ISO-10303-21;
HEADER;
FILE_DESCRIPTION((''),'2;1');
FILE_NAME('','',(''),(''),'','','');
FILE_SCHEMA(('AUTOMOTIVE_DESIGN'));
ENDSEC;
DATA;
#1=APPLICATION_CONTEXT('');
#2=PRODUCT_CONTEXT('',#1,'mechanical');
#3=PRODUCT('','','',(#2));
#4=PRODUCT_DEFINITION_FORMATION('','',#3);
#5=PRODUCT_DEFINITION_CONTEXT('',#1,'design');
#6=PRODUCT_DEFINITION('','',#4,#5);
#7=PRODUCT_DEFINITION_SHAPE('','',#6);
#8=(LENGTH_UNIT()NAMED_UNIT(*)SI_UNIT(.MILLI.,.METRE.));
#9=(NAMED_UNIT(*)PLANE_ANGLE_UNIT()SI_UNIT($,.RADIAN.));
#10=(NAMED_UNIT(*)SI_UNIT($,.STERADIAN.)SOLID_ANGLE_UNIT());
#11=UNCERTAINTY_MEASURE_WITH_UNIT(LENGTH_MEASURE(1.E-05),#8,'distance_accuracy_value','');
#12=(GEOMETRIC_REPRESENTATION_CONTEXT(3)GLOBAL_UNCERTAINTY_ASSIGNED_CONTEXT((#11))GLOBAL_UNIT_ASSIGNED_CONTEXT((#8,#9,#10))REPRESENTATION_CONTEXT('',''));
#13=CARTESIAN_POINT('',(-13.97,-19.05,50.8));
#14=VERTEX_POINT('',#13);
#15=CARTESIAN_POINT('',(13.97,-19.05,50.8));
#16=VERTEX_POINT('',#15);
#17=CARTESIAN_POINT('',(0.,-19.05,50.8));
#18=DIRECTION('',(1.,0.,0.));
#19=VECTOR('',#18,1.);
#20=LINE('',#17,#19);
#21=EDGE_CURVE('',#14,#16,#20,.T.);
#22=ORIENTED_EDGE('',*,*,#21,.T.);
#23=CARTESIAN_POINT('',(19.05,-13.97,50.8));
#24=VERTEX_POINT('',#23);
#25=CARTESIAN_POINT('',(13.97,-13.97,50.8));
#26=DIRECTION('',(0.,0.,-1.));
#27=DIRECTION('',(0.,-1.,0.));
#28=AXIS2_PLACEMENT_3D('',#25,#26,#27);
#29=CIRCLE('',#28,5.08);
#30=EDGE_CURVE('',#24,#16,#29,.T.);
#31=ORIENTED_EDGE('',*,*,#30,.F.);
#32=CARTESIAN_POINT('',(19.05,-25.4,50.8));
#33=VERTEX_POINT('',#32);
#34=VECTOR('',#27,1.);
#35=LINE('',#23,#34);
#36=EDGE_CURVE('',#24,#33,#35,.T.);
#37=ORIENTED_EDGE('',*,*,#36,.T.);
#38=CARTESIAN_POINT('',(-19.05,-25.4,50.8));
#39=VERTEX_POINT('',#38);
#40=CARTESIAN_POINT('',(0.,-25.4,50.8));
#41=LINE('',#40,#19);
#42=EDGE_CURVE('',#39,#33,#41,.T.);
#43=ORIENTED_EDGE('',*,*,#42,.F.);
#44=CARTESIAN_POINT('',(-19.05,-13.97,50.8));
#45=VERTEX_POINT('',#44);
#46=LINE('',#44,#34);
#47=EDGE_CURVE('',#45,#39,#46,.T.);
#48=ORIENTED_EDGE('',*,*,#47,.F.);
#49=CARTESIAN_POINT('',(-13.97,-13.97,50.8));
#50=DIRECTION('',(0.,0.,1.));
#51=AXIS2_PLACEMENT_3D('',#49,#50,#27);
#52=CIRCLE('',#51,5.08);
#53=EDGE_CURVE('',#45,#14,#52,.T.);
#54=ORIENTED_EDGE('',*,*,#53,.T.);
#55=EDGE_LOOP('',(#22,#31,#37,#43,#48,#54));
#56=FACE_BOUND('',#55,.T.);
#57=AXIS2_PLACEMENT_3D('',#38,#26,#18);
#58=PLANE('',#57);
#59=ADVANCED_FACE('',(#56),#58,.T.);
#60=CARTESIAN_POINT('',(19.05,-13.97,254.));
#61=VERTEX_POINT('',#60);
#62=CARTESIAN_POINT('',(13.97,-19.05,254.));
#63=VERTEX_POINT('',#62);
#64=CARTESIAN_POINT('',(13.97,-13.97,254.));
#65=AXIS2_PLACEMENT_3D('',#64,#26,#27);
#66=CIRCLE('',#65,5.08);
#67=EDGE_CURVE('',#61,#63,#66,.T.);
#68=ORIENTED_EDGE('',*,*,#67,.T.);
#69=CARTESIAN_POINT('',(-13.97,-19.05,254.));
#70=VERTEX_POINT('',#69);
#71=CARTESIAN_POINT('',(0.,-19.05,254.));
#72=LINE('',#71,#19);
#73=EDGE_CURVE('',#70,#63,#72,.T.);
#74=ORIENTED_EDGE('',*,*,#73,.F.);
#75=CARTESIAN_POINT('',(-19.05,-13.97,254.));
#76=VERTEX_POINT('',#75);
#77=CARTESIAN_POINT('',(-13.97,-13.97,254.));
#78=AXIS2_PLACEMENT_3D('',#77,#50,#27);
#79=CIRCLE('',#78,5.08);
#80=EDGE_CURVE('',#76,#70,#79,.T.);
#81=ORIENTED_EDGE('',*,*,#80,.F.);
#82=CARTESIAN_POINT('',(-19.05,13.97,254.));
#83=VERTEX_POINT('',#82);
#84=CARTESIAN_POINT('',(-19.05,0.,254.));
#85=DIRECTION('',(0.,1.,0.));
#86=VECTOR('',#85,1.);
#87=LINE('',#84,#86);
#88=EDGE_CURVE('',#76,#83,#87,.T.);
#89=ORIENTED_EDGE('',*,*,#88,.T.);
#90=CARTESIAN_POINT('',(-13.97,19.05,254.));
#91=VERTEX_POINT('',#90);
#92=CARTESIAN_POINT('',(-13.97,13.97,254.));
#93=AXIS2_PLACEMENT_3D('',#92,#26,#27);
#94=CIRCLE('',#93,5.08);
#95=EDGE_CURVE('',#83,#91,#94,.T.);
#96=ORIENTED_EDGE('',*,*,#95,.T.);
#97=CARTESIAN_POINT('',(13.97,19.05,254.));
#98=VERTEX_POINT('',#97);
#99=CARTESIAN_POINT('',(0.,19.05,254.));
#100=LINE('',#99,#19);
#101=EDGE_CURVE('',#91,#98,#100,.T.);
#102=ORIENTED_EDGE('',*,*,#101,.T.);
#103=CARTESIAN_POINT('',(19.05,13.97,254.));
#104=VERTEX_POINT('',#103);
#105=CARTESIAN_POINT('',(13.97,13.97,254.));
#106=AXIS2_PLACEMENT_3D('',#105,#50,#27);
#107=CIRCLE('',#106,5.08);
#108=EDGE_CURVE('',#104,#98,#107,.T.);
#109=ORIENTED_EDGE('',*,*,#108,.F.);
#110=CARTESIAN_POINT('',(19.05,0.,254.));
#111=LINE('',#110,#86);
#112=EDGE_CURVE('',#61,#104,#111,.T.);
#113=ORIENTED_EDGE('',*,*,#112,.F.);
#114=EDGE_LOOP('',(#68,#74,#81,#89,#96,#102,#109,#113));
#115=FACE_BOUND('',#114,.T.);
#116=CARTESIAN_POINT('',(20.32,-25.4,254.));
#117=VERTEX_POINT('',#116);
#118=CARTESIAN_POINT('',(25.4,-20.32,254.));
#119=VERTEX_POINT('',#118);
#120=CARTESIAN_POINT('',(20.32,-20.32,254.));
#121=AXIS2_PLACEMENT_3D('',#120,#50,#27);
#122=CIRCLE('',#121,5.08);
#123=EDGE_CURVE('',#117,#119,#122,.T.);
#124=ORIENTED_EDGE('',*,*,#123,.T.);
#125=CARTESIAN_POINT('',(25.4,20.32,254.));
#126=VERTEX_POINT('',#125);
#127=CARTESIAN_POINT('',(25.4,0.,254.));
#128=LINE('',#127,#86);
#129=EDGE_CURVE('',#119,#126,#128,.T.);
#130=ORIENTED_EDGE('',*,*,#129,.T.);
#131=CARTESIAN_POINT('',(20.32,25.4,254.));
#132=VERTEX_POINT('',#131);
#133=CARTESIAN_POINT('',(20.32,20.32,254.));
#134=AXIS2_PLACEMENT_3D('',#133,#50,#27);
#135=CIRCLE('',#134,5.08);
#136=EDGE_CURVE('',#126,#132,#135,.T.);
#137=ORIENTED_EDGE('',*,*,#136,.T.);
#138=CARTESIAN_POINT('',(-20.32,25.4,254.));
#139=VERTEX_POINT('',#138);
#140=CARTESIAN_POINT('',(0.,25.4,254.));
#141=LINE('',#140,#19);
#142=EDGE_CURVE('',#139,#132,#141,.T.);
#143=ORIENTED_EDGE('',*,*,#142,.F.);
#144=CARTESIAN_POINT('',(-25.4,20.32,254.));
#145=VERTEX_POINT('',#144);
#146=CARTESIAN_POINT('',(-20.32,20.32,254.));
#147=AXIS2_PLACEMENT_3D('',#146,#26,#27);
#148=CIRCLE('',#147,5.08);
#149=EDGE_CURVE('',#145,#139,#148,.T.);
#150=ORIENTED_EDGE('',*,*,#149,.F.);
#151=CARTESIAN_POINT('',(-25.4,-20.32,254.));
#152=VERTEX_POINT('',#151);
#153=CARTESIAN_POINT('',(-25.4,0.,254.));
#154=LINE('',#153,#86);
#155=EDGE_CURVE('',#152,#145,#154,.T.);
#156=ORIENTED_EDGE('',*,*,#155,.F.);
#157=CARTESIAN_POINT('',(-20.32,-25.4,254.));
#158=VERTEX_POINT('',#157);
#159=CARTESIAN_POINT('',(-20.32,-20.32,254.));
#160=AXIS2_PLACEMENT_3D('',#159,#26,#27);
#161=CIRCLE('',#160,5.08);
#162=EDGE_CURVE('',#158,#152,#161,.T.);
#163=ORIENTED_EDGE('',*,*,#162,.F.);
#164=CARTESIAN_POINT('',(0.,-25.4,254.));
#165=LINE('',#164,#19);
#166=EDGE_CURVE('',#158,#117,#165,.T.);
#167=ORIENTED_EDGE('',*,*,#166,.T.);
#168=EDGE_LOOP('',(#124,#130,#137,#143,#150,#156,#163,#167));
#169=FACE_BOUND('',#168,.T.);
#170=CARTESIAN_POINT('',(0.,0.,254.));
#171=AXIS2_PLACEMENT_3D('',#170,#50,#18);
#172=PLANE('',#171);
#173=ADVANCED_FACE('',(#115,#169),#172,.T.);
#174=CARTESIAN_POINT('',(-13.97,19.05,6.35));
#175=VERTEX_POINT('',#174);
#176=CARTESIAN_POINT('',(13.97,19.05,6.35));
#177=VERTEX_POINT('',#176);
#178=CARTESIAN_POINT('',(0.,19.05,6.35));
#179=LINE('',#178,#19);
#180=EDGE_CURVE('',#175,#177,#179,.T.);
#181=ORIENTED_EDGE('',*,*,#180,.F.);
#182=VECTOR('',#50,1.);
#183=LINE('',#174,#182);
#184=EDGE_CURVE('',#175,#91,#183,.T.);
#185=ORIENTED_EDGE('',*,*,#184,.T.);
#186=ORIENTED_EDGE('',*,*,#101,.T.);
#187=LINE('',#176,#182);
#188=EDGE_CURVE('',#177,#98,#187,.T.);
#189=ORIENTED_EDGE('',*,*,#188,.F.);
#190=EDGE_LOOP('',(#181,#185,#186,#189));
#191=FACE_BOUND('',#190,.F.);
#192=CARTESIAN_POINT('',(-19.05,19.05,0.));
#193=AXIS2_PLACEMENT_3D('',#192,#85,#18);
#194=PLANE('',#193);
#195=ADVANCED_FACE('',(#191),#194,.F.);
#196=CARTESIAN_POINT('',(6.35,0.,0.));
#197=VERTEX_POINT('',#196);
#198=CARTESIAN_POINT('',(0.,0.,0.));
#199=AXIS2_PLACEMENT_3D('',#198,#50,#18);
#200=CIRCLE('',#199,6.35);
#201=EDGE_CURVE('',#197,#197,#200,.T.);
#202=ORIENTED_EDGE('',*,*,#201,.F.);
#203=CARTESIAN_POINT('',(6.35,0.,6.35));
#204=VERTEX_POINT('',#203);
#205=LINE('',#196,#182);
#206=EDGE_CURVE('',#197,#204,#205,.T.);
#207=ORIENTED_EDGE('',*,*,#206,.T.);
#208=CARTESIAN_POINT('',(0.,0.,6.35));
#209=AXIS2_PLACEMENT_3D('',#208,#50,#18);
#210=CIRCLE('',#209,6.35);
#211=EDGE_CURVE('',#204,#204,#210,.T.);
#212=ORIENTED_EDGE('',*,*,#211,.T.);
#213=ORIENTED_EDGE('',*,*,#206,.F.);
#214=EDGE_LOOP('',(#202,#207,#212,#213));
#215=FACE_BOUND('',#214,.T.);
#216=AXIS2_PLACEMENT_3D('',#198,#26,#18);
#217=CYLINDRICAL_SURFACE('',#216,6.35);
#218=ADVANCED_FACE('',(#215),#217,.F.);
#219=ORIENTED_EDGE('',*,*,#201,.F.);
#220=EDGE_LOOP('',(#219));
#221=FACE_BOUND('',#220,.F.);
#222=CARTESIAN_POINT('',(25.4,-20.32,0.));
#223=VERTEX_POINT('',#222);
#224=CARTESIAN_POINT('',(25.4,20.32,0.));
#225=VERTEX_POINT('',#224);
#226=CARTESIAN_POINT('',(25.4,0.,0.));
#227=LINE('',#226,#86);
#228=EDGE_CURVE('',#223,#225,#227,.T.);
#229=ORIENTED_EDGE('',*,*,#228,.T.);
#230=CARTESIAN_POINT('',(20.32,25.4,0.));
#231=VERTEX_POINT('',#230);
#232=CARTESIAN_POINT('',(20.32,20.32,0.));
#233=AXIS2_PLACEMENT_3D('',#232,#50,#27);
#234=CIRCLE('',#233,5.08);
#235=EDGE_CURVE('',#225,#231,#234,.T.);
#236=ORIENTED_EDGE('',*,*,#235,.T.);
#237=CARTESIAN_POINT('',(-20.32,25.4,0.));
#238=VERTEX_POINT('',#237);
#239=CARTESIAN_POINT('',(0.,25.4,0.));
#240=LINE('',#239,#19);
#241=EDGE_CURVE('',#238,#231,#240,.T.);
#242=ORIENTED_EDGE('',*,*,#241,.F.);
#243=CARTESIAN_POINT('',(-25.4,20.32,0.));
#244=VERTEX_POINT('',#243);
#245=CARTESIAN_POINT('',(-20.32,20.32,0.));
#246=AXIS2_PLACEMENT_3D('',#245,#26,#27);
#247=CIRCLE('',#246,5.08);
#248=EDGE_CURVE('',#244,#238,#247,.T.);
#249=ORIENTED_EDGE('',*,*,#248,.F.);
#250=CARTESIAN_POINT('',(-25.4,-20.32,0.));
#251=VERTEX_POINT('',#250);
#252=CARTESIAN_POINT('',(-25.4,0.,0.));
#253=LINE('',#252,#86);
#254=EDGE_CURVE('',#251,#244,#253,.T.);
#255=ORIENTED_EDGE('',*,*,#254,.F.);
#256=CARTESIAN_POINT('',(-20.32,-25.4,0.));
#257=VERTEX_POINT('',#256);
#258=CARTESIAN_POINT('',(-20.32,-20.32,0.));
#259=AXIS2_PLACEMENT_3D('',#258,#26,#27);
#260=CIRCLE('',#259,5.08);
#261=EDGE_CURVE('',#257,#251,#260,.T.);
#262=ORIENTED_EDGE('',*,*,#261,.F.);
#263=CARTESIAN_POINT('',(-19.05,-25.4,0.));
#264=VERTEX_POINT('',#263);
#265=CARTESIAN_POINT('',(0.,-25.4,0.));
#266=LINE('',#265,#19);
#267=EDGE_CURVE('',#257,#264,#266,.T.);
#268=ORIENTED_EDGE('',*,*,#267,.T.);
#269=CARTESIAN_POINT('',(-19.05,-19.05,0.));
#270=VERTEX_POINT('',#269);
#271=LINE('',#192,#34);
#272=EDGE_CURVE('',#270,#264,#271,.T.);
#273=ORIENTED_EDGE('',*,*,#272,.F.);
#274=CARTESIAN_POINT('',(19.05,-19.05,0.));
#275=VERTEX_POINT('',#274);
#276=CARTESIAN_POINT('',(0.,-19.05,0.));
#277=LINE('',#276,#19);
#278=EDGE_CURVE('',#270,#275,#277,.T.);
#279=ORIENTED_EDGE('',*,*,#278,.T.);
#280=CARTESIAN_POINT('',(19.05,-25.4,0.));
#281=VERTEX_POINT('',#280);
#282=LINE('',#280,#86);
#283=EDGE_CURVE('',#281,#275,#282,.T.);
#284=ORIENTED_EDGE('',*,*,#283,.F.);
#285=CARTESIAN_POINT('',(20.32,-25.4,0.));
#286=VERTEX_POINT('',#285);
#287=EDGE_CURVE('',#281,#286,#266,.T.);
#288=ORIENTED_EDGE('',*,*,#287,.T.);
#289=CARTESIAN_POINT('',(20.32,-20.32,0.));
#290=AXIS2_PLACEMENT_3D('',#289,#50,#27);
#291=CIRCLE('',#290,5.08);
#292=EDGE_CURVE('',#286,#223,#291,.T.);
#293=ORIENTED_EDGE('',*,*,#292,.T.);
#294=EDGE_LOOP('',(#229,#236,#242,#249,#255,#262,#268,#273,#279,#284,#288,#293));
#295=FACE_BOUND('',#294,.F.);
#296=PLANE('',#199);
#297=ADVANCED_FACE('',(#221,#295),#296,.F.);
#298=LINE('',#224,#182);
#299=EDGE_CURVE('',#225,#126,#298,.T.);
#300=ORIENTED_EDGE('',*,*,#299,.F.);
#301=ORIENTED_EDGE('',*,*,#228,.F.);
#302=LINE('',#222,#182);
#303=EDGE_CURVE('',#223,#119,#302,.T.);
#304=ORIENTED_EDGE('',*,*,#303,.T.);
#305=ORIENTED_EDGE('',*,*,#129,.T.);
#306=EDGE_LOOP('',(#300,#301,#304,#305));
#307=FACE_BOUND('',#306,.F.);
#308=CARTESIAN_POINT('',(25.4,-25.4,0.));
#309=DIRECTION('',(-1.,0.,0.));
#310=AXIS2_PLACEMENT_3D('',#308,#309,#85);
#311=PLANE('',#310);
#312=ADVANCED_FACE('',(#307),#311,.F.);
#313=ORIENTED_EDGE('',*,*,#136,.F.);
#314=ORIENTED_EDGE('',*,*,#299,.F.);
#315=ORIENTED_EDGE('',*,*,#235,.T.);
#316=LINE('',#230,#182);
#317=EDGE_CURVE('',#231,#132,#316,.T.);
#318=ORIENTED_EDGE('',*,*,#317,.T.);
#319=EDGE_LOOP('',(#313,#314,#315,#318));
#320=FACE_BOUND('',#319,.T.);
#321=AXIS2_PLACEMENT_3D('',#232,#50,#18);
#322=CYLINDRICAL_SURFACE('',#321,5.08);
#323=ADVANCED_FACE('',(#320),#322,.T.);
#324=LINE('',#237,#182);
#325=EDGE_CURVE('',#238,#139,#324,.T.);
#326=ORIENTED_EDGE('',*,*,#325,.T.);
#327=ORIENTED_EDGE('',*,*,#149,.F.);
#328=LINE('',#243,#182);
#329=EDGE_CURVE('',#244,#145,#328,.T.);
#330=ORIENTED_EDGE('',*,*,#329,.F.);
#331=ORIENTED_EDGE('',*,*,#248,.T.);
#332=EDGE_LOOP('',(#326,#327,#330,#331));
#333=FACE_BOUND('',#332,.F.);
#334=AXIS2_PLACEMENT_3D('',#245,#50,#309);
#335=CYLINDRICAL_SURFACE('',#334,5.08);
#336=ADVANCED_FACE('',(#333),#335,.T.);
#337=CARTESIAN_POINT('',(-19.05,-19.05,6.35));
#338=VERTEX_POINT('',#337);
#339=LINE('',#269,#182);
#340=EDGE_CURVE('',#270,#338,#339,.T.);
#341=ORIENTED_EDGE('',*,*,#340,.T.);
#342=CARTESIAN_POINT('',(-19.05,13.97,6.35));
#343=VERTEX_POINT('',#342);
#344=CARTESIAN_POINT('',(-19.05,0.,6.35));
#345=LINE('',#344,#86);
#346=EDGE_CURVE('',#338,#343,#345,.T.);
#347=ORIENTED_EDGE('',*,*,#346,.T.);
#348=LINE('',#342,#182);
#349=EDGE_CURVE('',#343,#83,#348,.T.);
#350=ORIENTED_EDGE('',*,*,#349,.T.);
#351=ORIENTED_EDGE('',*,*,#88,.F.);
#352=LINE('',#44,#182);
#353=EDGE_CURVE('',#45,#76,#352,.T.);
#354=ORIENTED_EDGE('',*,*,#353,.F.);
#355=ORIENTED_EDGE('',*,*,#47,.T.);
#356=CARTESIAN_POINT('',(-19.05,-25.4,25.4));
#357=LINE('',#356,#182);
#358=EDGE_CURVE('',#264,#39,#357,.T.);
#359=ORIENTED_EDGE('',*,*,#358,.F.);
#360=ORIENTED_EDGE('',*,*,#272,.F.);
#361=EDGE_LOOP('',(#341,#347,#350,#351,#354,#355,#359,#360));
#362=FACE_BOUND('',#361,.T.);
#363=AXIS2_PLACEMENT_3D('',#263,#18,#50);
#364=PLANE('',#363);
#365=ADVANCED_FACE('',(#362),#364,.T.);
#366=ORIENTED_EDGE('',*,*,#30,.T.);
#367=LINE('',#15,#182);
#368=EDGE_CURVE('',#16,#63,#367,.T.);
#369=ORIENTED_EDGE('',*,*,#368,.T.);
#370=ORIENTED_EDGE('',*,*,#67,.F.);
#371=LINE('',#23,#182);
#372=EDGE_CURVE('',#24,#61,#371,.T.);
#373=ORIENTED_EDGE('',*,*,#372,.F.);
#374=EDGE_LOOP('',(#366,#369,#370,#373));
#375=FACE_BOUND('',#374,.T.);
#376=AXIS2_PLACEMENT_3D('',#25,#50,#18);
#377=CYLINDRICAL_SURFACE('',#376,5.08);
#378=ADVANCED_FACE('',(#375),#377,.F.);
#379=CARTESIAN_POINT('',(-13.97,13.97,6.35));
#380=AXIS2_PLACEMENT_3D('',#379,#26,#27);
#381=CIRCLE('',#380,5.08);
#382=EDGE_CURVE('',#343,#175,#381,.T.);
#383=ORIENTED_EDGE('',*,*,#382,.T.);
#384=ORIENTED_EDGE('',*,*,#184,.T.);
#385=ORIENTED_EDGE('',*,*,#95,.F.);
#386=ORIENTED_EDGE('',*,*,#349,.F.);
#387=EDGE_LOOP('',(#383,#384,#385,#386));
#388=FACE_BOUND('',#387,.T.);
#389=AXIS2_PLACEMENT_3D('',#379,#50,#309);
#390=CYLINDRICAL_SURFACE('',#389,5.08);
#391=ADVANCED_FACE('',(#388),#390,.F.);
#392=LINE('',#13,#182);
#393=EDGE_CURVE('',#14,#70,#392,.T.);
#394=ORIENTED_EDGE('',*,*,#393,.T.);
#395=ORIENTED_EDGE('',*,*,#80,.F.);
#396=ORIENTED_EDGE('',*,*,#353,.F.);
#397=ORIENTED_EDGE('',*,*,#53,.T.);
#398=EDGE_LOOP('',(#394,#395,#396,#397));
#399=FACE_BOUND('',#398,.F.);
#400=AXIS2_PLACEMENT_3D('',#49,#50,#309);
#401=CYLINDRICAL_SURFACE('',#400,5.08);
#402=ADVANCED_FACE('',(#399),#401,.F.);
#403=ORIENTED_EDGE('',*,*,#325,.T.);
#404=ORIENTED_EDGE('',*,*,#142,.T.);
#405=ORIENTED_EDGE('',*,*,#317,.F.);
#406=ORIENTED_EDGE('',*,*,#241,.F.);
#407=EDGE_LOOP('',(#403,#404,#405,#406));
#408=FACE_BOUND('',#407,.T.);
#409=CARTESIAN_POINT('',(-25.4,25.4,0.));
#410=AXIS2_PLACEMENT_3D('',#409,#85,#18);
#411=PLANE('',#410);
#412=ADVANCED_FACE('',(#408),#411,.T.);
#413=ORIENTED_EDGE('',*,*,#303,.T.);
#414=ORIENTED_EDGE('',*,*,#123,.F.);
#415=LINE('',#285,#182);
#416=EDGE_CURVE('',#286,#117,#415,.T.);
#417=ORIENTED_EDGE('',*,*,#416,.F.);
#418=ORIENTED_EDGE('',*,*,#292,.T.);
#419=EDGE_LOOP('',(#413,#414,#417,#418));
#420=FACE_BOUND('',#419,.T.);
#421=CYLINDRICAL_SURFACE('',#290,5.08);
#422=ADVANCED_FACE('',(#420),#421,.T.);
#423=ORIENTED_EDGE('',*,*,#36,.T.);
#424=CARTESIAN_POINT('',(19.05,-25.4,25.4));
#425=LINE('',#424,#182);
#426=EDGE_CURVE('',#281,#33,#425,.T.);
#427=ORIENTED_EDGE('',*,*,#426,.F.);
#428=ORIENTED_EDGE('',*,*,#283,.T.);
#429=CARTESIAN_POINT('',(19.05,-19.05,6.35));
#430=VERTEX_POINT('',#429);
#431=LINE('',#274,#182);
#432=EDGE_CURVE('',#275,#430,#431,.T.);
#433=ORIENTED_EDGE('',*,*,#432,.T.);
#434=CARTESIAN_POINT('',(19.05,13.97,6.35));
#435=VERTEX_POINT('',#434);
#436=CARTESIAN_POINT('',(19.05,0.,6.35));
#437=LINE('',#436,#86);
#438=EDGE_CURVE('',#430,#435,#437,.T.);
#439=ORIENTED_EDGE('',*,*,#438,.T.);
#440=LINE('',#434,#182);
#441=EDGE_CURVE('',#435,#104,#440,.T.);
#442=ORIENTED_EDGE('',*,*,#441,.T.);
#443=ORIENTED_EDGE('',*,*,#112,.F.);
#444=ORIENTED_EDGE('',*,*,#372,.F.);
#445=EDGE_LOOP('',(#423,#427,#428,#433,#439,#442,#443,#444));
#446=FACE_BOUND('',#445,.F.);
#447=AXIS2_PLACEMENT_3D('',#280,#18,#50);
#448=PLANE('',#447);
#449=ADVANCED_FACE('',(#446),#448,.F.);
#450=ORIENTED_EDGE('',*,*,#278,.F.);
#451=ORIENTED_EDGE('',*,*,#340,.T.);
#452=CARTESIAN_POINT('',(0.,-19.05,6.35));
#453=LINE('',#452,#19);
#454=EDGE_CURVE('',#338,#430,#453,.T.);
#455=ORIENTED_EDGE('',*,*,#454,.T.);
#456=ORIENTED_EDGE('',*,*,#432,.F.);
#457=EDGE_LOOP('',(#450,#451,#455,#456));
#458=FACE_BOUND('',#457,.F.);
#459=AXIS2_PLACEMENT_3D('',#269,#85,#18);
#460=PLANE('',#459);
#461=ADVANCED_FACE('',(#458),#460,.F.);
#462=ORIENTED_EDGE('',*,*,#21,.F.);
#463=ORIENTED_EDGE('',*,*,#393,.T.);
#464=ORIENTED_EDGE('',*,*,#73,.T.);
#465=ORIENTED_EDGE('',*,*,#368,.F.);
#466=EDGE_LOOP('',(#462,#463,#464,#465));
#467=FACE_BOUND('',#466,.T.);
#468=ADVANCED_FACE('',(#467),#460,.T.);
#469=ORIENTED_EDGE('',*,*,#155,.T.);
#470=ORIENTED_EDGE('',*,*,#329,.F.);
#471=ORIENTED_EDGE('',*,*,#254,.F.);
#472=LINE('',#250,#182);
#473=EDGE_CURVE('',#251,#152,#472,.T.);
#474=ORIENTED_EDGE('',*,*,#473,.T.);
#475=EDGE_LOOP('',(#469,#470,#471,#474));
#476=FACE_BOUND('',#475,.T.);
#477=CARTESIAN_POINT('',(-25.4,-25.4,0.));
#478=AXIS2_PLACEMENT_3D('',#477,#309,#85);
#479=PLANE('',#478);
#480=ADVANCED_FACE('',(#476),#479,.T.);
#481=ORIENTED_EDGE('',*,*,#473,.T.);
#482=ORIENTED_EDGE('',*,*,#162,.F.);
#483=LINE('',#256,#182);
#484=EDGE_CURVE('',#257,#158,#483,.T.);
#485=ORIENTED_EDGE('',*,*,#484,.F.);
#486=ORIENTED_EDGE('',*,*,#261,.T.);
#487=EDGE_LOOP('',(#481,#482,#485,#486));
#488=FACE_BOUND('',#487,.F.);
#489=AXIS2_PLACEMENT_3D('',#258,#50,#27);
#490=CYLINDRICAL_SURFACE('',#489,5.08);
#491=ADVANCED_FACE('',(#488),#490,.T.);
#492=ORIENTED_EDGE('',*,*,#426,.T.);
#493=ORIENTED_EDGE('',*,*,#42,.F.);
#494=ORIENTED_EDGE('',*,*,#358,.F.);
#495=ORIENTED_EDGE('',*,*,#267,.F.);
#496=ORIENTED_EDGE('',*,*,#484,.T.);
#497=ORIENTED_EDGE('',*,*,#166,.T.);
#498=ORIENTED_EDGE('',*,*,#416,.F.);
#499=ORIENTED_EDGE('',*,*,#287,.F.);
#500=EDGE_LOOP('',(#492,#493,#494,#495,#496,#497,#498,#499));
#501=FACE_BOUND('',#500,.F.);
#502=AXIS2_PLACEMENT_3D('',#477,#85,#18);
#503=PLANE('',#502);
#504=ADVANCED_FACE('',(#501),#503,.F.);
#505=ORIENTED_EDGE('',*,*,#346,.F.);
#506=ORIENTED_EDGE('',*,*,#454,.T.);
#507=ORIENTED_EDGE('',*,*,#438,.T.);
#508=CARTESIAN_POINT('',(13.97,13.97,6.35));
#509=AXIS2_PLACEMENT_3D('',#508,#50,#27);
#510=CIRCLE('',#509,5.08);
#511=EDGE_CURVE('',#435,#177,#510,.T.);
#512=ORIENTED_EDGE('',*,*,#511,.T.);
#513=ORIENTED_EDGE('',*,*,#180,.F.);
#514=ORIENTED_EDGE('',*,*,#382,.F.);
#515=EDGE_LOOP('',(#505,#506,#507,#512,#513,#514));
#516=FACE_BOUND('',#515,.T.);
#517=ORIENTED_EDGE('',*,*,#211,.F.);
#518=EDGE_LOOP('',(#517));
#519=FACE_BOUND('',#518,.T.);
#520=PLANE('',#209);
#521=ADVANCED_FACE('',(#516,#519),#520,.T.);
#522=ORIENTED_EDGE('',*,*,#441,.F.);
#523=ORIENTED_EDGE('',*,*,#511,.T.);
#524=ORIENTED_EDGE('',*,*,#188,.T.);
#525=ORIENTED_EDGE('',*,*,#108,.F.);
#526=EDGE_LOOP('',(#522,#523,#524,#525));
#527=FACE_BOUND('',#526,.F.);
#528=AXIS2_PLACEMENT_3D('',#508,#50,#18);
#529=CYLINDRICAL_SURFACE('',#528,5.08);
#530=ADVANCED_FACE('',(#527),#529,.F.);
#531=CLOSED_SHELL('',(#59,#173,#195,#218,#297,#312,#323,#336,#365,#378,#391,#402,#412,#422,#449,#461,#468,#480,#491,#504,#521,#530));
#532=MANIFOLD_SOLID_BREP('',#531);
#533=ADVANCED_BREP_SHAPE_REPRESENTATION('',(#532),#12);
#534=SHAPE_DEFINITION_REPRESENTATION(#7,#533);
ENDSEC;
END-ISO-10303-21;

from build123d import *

# Parameters (mm, degrees)
F0_W     = 50.8
F0_H     = 50.8
F0_W_2   = 38.1
F0_H_2   = 38.1
F1_DEPTH = 254
F2_W     = 38.1
F2_H     = 50.8
F3_DEPTH = 6.35
F4_W     = 38.1
F4_H     = 38.1
F4_R     = 6.35
F5_DEPTH = 6.35
F6_R     = 5.08


with BuildPart() as f1:
    # F0 (on Top) → F1 (new body)
    with BuildSketch(Plane.XY):
        Rectangle(F0_W, F0_H)
        Rectangle(F0_W_2, F0_H_2, mode=Mode.SUBTRACT)
    extrude(amount=F1_DEPTH)

    # F2 (on face) → F3 (cut)
    with BuildSketch(Plane.XZ.offset(25.4)):
        with Locations((0, 25.4)):
            Rectangle(F2_W, F2_H)
    extrude(amount=-F3_DEPTH, mode=Mode.SUBTRACT)

    # F4 (on Top) → F5 (join)
    with BuildSketch(Plane.XY):
        Rectangle(F4_W, F4_H)
        Circle(F4_R, mode=Mode.SUBTRACT)
    extrude(amount=F5_DEPTH)

    # F6
    f6_edges = [f1.edges().sort_by_distance(p)[0] for p in [
        (-25.4, -25.4, 127),
        (-25.4, 25.4, 127),
        (25.4, -25.4, 127),
        (25.4, 25.4, 127),
        (-19.05, 19.05, 130.175),
        (19.05, 19.05, 130.175),
        (-19.05, -19.05, 152.4),
        (19.05, -19.05, 152.4),
    ]]
    fillet(f6_edges, radius=F6_R)


solid = f1.part
